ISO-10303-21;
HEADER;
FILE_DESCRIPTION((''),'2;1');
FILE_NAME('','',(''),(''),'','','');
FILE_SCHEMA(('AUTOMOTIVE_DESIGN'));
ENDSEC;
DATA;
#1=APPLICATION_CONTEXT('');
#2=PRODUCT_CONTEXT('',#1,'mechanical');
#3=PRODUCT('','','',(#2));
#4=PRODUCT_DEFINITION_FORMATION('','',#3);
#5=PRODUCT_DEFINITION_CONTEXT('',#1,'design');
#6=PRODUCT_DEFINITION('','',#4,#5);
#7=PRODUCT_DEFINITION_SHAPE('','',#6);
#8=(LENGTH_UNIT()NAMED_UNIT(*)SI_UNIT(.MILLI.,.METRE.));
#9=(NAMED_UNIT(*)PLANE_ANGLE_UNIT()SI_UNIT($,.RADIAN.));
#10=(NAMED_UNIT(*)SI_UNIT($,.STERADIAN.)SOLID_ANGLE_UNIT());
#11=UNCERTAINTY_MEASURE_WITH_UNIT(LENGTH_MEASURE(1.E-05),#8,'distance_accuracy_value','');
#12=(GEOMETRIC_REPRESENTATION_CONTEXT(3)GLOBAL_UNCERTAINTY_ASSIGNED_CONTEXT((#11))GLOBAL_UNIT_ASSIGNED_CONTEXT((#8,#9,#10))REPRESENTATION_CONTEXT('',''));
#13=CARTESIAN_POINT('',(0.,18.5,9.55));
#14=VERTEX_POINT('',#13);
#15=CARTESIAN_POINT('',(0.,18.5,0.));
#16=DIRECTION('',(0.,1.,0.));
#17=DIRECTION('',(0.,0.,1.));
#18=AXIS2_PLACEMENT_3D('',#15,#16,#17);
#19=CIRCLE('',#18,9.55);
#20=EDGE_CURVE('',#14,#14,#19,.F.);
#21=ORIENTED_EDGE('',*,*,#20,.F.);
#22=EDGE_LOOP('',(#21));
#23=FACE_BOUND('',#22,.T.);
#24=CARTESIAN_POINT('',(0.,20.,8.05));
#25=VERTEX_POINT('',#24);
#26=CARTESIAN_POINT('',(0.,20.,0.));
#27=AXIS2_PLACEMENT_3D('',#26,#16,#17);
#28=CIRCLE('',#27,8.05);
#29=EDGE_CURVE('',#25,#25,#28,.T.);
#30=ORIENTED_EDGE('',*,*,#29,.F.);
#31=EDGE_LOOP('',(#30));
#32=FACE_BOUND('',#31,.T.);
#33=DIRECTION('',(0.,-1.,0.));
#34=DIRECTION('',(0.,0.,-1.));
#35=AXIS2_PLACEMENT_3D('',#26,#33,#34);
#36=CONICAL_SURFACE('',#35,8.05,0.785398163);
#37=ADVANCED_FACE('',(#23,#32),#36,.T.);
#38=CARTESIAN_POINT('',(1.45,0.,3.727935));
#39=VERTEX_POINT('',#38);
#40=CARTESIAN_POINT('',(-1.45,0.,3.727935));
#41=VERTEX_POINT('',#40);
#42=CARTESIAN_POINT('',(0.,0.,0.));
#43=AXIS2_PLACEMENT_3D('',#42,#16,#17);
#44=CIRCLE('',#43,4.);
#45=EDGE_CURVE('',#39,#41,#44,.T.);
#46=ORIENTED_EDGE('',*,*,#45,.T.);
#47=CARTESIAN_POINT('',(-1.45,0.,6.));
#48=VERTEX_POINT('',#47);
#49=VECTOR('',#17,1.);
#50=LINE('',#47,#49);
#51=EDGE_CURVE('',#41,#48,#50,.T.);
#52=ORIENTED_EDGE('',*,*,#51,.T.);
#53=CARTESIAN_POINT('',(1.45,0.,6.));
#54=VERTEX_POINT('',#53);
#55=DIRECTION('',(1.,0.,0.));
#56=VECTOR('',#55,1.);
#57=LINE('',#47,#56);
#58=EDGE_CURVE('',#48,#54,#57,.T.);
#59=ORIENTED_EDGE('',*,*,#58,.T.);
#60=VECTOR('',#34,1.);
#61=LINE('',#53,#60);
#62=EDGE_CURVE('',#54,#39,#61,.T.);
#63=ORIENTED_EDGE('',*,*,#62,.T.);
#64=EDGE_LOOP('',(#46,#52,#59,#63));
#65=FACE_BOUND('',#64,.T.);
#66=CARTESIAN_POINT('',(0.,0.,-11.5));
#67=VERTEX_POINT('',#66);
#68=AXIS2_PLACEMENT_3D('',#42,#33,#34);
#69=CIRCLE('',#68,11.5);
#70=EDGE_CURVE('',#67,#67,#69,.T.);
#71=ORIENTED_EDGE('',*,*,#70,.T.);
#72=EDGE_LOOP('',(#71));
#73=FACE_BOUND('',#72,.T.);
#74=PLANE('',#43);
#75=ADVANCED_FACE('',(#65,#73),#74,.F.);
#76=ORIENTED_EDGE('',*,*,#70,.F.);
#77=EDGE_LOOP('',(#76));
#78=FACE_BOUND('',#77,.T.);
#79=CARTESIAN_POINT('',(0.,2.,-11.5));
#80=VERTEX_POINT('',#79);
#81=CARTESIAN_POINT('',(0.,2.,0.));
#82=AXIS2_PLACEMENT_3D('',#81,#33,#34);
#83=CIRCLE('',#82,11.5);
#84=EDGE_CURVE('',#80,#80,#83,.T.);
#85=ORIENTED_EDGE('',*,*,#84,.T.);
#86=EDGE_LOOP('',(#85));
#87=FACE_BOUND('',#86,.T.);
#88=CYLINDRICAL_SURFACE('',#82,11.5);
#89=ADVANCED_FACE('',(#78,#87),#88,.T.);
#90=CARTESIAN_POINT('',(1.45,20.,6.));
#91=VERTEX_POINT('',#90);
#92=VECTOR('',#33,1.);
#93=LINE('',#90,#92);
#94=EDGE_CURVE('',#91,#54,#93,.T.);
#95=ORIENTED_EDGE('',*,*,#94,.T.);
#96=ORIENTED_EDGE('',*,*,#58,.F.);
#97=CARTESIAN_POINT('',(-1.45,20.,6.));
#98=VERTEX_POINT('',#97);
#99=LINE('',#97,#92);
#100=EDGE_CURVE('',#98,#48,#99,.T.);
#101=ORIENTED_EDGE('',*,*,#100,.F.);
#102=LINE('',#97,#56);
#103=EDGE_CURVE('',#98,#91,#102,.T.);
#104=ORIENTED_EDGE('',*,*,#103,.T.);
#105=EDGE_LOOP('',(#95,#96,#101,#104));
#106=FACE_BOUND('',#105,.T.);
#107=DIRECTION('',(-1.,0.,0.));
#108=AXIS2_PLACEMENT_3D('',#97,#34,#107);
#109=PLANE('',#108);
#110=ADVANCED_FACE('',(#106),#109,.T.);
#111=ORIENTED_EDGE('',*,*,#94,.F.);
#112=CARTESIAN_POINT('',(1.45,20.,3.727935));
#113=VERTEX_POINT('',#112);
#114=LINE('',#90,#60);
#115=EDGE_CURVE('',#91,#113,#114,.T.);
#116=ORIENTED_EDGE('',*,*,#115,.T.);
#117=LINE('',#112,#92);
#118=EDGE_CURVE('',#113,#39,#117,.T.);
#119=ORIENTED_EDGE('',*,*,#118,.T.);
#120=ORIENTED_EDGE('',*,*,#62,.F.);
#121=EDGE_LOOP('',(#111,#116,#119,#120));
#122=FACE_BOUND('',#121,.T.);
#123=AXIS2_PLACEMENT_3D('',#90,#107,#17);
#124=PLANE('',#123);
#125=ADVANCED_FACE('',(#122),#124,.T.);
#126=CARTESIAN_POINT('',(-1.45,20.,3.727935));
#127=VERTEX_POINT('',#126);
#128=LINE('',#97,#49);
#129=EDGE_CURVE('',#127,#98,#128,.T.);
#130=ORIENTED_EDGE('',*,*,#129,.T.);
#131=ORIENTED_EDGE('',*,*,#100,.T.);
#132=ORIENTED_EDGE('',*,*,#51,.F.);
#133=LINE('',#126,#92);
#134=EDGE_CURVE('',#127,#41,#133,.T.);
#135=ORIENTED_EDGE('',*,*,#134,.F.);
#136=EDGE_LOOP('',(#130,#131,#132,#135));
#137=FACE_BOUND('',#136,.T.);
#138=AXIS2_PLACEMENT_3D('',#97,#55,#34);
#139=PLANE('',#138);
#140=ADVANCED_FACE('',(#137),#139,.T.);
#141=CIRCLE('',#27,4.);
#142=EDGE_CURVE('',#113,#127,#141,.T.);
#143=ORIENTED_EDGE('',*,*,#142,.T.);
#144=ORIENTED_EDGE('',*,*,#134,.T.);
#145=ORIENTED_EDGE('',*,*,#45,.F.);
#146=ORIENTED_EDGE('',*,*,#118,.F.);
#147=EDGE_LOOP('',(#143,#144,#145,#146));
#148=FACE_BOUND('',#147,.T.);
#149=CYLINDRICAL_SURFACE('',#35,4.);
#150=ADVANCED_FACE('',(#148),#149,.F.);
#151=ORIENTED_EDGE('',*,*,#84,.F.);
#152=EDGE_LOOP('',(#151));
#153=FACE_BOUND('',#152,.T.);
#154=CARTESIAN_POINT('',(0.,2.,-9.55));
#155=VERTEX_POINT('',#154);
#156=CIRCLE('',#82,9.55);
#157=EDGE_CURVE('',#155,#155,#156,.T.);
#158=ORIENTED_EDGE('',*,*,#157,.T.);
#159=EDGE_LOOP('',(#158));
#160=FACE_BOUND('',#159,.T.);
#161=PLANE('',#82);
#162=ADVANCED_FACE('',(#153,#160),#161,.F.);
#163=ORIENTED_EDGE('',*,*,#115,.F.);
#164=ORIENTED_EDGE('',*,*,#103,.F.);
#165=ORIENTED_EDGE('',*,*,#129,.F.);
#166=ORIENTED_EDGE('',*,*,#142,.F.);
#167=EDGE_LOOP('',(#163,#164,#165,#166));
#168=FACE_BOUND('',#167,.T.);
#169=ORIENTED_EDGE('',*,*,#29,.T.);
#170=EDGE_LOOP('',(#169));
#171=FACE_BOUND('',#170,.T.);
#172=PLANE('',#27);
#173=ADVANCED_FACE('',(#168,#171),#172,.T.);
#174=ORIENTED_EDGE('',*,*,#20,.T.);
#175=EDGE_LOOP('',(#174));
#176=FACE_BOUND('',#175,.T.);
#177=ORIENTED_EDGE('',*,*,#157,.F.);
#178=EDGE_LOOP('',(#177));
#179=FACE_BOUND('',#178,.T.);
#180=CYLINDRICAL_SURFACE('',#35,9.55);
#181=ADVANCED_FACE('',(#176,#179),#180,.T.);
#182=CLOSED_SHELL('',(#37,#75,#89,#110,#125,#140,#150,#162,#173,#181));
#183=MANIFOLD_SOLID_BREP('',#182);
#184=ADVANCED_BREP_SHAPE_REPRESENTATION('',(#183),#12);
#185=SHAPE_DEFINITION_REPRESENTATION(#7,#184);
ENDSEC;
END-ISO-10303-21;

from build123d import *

# Parameters (mm, degrees)
SKETCH1_R           = 9.55
BOSS_EXTRUDE1_DEPTH = 20
CHAMFER1_SIZE       = 1.5
SKETCH2_R           = 11.5
SKETCH2_R_2         = 9.55
BOSS_EXTRUDE2_DEPTH = 2


with BuildPart() as part:
    # Sketch1 → Boss-Extrude1 (new body)
    with BuildSketch(Plane(origin=(0, 0, 0), x_dir=(1, 0, 0), z_dir=(0, 1, 0))):
        with Locations(Location((0, 0, 0), (0, 0, 270))):
            Circle(SKETCH1_R)
        with BuildLine():
            Line((-1.45, -6), (1.45, -6))
            Line((1.45, -6), (1.45, -3.727935085))
            ThreePointArc((1.45, -3.727935085), (0, 4), (-1.45, -3.727935085))
            Line((-1.45, -3.727935085), (-1.45, -6))
        make_face(mode=Mode.SUBTRACT)
    extrude(amount=BOSS_EXTRUDE1_DEPTH)

    # Chamfer1
    chamfer1_edges = [part.edges().sort_by_distance(p)[0] for p in [
        (0, 20, -9.55),
    ]]
    chamfer(chamfer1_edges, length=CHAMFER1_SIZE)

    # Sketch2 → Boss-Extrude2 (add)
    with BuildSketch(Plane.XZ):
        with Locations(Location((0, 0, 0), (0, 0, 270))):
            Circle(SKETCH2_R)
        with Locations(Location((0, 0, 0), (0, 0, 270))):
            Circle(SKETCH2_R_2, mode=Mode.SUBTRACT)
    extrude(amount=-BOSS_EXTRUDE2_DEPTH)


solid = part.part
